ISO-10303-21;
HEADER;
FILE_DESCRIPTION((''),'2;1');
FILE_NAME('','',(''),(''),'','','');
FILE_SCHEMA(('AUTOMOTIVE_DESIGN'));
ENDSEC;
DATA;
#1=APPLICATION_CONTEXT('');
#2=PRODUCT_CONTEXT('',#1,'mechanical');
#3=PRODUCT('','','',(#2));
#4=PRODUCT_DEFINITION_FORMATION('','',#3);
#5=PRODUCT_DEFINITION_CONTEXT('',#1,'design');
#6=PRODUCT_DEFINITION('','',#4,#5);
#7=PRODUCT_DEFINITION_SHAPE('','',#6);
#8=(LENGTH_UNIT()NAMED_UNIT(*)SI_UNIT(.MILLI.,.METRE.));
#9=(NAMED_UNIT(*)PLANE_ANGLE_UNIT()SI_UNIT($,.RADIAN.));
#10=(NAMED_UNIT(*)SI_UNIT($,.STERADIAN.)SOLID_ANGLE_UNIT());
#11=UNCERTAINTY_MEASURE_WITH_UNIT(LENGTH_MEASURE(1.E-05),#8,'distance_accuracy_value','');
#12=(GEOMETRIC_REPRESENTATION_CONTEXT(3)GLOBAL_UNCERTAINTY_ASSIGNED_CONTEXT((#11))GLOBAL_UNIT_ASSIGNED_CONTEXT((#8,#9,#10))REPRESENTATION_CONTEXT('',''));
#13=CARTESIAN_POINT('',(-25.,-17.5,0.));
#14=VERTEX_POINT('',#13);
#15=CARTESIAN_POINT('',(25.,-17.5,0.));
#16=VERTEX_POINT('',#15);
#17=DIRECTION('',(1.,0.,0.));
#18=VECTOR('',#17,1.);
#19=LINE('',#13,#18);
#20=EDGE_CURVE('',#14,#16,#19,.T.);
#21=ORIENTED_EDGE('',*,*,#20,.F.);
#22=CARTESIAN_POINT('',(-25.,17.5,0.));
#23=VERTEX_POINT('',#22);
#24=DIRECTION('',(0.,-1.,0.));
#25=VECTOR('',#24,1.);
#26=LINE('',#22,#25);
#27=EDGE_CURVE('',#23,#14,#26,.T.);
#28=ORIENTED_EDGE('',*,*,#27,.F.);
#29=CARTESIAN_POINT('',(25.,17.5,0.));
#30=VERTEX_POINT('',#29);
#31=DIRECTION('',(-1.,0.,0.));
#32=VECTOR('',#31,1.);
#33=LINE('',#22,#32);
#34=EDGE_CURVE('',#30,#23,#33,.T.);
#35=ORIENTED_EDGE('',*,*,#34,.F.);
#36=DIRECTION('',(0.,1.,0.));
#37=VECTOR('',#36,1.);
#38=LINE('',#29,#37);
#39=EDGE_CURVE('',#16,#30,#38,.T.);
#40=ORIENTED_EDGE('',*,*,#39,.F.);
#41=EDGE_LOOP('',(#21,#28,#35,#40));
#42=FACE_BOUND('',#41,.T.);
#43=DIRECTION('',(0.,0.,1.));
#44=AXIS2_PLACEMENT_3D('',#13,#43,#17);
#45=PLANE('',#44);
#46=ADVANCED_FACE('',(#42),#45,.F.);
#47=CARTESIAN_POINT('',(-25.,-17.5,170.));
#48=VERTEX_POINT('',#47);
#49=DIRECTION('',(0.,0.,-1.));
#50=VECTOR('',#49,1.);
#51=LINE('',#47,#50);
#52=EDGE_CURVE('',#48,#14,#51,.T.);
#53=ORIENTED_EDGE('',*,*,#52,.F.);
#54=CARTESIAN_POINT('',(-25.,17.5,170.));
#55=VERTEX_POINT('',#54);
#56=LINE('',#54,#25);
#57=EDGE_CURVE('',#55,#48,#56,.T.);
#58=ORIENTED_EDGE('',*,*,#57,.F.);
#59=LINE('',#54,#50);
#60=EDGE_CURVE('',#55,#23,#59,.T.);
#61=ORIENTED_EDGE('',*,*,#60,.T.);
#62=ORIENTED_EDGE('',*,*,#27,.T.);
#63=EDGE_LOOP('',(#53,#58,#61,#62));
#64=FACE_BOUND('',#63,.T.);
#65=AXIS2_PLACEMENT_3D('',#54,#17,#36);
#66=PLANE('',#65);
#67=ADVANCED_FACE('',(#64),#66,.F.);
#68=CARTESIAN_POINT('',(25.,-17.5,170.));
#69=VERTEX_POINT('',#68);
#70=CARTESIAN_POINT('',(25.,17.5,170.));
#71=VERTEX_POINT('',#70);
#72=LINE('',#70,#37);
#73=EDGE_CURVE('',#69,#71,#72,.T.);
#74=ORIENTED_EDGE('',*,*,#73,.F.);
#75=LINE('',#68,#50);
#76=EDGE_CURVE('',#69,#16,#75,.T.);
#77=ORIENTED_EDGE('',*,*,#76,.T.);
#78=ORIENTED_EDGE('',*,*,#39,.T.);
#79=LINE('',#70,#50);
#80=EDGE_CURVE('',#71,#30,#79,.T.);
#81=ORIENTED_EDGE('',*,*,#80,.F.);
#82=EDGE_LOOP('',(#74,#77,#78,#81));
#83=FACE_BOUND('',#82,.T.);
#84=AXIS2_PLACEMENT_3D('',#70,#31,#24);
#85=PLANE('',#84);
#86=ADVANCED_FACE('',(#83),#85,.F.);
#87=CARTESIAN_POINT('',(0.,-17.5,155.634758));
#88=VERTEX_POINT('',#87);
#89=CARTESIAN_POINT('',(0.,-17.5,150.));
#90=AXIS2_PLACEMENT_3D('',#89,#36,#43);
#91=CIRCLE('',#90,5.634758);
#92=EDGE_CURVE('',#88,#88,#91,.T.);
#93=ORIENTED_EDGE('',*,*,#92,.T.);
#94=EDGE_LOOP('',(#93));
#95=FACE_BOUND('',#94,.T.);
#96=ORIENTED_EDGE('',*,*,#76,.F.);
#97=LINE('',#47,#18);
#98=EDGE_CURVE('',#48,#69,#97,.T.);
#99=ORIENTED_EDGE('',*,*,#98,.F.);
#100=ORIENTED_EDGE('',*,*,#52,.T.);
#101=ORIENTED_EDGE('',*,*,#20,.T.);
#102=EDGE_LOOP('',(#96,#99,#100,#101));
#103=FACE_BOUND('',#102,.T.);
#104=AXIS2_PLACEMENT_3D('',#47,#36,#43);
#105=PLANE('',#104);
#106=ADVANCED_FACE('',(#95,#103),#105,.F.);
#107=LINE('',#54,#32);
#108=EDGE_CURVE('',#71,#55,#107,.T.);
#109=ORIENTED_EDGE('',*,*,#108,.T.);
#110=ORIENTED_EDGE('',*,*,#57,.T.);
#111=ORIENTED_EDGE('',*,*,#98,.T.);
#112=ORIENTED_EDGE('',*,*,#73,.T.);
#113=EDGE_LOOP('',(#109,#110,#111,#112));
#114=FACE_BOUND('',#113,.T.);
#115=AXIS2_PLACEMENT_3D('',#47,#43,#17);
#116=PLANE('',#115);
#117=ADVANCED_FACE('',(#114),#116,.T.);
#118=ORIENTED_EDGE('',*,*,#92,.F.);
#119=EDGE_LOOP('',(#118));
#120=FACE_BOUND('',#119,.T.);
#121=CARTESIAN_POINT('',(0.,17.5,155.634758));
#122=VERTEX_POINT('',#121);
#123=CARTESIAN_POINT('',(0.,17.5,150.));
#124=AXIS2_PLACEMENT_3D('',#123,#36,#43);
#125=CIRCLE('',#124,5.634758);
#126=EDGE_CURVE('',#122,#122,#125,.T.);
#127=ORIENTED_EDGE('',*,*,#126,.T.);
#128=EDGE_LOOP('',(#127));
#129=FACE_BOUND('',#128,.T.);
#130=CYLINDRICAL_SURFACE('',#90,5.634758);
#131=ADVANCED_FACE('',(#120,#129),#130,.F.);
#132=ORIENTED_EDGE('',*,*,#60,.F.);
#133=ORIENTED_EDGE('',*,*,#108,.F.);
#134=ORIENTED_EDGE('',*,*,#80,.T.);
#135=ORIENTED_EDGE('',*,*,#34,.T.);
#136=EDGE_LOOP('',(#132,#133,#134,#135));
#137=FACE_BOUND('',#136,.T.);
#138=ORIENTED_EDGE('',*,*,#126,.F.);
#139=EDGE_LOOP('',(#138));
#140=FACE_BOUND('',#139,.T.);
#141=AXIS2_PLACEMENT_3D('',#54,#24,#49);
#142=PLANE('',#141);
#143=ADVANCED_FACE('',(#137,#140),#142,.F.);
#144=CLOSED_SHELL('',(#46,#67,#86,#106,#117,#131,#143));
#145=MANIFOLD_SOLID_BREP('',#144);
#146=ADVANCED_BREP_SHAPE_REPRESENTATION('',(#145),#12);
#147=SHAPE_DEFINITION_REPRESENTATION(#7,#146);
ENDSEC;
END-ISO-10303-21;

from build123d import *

# Parameters (mm, degrees)
SKIZZE1_W               = 50
SKIZZE1_H               = 35
LINEAR_AUSTRAGEN1_DEPTH = 170
SKIZZE2_R               = 5.634758498
LINEAR_AUSTRAGEN2_DEPTH = 36


with BuildPart() as part:
    # Skizze1 → Linear austragen1 (new body)
    with BuildSketch(Plane.XY):
        Rectangle(SKIZZE1_W, SKIZZE1_H)
    extrude(amount=LINEAR_AUSTRAGEN1_DEPTH)

    # Skizze2 → Linear austragen2 (cut, through all)
    with BuildSketch(Plane(origin=(0, 17.5, 0), x_dir=(1, 0, 0), z_dir=(0, 1, 0))):
        with Locations(Location((0, -150, 0), (0, 0, 270))):  # turned: the seam where the file's is
            Circle(SKIZZE2_R)
    extrude(amount=-LINEAR_AUSTRAGEN2_DEPTH, mode=Mode.SUBTRACT)


solid = part.part
